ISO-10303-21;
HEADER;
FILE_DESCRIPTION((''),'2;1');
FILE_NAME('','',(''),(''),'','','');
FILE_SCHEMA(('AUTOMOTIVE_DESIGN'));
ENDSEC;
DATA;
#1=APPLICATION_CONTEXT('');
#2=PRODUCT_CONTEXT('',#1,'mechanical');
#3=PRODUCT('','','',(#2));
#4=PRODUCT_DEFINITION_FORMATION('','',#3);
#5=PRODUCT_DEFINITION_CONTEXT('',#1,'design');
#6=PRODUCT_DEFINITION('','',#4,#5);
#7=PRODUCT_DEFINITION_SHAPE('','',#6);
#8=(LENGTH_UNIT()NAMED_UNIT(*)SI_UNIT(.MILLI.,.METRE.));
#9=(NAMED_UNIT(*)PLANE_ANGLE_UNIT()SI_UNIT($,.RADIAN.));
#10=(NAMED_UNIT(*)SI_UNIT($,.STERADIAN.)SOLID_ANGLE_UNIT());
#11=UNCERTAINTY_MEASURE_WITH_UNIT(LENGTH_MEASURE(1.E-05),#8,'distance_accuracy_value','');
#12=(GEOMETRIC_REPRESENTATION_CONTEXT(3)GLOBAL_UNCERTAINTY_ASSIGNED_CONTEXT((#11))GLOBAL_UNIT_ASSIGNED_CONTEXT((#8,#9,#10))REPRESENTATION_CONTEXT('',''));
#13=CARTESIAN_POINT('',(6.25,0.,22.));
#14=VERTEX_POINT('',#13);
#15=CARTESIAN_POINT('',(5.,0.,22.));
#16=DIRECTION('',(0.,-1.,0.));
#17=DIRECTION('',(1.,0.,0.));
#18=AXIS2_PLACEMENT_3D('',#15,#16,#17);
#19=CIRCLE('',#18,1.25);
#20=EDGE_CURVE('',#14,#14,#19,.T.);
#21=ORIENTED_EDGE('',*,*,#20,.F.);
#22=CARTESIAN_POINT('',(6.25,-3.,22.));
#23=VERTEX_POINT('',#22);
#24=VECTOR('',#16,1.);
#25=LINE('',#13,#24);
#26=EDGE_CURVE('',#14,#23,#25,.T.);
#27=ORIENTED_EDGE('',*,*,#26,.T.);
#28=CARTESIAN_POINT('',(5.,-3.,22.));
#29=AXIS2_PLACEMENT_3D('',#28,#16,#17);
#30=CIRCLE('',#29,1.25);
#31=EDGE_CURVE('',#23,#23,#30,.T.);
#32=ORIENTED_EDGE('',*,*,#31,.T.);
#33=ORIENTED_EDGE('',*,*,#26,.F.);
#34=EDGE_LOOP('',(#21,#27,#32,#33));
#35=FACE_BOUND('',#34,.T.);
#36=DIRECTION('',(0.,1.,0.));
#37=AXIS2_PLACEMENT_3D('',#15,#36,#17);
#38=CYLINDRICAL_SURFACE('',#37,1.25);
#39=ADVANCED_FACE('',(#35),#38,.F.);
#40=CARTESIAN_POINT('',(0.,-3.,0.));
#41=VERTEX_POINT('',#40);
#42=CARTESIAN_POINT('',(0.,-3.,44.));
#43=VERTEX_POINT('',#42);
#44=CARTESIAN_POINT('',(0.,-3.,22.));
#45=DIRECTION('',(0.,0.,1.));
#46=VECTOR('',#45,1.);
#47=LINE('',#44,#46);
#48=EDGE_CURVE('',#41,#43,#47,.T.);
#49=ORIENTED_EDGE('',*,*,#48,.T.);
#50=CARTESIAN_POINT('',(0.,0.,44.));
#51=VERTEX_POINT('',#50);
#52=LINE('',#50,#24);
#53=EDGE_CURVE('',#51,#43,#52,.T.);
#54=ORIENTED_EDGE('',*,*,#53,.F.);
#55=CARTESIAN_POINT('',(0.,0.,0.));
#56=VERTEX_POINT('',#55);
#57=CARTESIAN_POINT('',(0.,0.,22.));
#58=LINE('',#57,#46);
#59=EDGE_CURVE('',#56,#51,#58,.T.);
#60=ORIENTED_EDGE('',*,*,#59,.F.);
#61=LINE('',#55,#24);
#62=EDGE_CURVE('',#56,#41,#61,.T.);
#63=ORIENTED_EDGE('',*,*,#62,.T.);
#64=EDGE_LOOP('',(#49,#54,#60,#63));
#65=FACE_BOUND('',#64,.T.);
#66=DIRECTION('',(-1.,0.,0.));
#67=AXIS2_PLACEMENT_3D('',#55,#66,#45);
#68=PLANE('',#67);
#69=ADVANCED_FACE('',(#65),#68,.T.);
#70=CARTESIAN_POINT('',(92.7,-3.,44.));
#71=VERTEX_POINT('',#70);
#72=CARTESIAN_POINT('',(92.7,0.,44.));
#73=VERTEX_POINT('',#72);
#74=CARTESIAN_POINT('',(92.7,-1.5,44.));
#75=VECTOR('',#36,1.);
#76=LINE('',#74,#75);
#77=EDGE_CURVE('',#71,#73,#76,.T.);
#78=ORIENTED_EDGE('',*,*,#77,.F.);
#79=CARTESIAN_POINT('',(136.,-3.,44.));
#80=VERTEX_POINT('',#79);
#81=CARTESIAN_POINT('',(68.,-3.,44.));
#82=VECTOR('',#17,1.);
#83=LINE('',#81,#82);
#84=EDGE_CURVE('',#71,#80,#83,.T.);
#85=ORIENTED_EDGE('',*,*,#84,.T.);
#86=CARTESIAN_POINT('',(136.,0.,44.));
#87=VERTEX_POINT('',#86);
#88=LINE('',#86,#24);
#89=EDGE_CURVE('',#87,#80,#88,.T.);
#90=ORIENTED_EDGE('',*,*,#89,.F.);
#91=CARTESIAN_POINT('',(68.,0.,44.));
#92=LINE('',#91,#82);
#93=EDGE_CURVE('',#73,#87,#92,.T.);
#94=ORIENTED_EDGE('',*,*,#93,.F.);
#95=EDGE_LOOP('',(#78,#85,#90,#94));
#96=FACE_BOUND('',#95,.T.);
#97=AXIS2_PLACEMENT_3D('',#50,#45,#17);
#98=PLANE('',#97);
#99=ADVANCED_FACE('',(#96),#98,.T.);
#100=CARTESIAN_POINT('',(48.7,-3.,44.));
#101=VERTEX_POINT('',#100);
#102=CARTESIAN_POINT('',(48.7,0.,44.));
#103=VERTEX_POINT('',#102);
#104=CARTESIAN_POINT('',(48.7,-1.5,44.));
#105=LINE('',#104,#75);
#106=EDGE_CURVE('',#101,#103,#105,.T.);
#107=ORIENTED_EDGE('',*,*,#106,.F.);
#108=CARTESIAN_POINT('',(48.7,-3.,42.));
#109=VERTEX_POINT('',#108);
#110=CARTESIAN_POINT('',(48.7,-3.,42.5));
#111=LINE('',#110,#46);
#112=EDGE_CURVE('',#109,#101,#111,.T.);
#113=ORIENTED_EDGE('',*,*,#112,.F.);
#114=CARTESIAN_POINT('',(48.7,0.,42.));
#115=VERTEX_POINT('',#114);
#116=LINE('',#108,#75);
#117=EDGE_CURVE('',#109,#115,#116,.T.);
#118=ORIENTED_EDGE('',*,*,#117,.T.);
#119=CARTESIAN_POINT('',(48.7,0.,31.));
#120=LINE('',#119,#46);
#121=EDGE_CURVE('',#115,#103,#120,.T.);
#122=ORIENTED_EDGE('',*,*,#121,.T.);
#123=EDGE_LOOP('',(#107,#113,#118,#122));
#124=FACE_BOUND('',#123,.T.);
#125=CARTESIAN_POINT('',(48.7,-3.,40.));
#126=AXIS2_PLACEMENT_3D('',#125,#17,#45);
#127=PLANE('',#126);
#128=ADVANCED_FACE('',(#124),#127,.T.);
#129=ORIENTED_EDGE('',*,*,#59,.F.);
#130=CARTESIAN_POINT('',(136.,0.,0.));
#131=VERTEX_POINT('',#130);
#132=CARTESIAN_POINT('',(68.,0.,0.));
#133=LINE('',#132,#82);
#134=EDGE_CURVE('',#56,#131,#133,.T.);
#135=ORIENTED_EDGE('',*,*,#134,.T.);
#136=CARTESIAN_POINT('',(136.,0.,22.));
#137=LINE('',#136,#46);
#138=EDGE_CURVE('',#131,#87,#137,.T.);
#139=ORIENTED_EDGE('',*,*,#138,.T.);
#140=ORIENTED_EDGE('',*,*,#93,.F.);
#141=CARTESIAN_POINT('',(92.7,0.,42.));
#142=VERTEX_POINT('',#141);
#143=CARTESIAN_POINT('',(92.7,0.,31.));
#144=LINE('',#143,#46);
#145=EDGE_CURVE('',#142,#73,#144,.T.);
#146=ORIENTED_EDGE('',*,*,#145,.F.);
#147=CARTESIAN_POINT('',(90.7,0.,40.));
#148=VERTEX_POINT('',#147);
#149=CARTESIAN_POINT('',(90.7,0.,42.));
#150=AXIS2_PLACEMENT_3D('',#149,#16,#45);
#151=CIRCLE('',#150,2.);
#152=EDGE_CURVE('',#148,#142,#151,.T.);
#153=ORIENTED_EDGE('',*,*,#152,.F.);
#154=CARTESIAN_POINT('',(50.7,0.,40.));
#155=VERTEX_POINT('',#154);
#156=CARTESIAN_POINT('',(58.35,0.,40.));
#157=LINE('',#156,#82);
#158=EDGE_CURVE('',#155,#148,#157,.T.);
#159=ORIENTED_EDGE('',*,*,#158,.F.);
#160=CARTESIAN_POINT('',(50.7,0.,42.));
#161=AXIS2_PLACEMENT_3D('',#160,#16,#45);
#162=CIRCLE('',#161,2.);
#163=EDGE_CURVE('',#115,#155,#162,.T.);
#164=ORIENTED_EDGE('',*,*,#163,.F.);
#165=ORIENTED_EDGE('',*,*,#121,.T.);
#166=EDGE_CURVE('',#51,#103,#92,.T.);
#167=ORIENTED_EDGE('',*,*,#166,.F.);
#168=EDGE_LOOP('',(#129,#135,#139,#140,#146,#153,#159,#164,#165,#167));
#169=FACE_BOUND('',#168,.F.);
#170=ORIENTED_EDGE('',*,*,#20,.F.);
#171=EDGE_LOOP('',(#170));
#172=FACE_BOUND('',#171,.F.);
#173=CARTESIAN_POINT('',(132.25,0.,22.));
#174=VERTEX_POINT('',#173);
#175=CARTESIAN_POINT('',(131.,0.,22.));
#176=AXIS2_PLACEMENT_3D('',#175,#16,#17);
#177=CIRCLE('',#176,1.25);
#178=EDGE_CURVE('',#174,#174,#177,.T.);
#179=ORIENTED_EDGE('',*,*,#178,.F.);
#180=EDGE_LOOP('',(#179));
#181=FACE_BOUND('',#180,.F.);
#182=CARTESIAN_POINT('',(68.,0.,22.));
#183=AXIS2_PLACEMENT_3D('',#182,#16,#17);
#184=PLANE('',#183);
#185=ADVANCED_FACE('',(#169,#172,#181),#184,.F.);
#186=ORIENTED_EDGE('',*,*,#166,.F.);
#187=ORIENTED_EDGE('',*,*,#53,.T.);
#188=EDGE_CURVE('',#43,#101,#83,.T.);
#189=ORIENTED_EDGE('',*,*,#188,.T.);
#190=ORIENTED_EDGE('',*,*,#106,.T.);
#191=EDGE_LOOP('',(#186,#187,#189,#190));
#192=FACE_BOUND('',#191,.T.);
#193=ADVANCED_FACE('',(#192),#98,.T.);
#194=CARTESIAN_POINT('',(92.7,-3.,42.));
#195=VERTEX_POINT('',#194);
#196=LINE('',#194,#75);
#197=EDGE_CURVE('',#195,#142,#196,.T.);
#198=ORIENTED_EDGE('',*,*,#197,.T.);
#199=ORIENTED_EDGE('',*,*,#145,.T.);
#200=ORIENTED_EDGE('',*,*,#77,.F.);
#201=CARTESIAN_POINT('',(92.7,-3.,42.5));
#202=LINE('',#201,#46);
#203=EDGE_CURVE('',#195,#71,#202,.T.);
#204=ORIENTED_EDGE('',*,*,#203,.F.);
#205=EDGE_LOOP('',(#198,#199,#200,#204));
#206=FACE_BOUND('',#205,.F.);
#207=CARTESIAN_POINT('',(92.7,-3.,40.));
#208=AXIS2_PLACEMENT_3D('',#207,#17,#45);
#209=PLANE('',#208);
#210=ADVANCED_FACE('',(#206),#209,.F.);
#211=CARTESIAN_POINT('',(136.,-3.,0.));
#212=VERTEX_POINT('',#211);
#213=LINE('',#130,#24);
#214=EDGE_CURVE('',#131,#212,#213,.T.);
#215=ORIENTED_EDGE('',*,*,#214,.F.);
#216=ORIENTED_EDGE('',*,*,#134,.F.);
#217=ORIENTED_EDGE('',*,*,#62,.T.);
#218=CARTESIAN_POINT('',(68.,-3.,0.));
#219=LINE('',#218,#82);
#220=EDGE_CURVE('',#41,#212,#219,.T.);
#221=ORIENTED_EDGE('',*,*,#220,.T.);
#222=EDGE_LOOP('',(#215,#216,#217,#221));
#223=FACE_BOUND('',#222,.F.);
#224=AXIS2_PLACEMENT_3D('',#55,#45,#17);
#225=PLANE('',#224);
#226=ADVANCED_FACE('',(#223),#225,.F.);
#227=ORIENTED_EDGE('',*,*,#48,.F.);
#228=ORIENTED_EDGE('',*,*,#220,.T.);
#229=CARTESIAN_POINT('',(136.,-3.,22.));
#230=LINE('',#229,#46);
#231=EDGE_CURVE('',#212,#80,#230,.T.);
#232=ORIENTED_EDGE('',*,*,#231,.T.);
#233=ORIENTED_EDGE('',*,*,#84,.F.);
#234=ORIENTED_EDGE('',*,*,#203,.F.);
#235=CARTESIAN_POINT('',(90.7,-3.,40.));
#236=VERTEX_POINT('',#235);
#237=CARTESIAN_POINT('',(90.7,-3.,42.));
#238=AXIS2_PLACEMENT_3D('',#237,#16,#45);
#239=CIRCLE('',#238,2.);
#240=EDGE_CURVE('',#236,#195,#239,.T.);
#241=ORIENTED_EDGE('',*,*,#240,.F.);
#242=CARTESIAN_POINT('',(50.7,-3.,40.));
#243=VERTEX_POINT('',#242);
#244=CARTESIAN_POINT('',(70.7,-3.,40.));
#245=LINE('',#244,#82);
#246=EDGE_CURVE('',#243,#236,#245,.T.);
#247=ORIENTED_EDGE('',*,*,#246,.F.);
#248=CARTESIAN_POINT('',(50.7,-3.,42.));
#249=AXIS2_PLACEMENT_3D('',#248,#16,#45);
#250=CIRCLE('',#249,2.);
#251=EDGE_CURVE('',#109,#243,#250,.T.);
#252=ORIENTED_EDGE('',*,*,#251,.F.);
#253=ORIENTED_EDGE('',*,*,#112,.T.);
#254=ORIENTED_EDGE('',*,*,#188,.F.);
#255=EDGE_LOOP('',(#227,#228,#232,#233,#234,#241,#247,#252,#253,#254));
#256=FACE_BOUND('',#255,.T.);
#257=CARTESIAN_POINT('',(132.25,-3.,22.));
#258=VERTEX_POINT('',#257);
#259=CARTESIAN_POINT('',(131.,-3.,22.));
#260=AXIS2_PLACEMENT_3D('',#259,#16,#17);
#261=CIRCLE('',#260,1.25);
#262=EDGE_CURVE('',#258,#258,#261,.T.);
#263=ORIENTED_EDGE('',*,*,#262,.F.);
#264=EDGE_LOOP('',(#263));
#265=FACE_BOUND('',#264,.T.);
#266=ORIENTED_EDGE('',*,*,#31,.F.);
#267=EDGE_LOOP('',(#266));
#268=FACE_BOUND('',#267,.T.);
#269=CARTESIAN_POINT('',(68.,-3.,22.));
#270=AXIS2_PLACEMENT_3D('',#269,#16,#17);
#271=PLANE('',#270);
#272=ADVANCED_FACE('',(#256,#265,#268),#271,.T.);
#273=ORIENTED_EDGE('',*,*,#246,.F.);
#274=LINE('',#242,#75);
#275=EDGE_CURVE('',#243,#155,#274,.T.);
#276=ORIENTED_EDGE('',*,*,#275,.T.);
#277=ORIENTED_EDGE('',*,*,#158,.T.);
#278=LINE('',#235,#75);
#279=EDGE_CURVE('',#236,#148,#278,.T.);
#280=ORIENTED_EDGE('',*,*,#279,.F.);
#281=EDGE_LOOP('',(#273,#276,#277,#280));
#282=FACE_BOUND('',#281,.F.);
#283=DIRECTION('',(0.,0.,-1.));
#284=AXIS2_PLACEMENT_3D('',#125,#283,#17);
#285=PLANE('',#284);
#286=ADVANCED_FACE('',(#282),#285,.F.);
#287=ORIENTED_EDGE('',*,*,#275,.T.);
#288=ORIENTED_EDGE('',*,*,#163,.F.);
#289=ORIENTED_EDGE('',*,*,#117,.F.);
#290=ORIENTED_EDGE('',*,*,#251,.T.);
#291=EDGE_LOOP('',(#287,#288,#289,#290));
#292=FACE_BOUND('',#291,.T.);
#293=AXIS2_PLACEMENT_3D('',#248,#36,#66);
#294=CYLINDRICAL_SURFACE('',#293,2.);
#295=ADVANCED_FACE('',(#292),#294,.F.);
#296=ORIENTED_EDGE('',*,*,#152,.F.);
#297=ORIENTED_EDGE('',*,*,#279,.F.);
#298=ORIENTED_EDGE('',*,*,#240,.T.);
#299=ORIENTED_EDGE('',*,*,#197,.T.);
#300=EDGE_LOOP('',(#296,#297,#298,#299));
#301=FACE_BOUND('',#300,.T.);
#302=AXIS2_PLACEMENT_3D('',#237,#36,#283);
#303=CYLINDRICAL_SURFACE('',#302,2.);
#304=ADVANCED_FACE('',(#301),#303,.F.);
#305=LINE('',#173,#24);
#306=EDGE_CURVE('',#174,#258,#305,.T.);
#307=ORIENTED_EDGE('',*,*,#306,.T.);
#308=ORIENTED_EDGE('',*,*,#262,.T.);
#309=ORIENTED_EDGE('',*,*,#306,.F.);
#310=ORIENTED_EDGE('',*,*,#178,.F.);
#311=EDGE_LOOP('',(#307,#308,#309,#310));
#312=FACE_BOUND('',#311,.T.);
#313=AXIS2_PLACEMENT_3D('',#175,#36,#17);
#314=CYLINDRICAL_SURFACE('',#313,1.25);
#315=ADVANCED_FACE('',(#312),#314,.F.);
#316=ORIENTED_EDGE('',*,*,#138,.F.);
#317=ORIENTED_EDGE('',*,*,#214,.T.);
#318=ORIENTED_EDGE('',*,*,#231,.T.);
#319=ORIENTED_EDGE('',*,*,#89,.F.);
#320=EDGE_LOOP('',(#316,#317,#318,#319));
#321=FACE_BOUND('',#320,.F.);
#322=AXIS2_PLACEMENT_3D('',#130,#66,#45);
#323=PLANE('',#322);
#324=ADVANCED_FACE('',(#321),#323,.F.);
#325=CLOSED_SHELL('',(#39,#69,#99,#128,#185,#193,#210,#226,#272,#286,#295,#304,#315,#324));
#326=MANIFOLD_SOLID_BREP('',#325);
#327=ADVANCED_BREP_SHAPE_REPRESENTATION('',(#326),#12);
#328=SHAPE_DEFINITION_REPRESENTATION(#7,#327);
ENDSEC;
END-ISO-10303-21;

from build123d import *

# Parameters (mm, degrees)
SKETCH_W     = 136
SKETCH_H     = 44
SKETCH_R     = 1.25
PAD_DEPTH    = 3
SKETCH001_W  = 44
SKETCH001_H  = 5
POCKET_DEPTH = 3.001
FILLET_R     = 2


with BuildPart() as part:
    # Sketch → Pad (new body)
    with BuildSketch(Plane.XZ):
        with Locations((68, 22)):
            Rectangle(SKETCH_W, SKETCH_H)
        with Locations((5, 22)):
            Circle(SKETCH_R, mode=Mode.SUBTRACT)
        with Locations((131, 22)):
            Circle(SKETCH_R, mode=Mode.SUBTRACT)
    extrude(amount=PAD_DEPTH)

    # Sketch001 (on Face8 of Pad) → Pocket (cut, through all)
    with BuildSketch(Plane.XZ.offset(3)):
        with Locations((70.7, 42.5)):
            Rectangle(SKETCH001_W, SKETCH001_H)
    extrude(amount=-POCKET_DEPTH, mode=Mode.SUBTRACT)

    # Fillet
    fillet_edges = [part.edges().sort_by_distance(p)[0] for p in [
        (48.7, -1.5, 40),
        (92.7, -1.5, 40),
    ]]
    fillet(fillet_edges, radius=FILLET_R)


solid = part.part
